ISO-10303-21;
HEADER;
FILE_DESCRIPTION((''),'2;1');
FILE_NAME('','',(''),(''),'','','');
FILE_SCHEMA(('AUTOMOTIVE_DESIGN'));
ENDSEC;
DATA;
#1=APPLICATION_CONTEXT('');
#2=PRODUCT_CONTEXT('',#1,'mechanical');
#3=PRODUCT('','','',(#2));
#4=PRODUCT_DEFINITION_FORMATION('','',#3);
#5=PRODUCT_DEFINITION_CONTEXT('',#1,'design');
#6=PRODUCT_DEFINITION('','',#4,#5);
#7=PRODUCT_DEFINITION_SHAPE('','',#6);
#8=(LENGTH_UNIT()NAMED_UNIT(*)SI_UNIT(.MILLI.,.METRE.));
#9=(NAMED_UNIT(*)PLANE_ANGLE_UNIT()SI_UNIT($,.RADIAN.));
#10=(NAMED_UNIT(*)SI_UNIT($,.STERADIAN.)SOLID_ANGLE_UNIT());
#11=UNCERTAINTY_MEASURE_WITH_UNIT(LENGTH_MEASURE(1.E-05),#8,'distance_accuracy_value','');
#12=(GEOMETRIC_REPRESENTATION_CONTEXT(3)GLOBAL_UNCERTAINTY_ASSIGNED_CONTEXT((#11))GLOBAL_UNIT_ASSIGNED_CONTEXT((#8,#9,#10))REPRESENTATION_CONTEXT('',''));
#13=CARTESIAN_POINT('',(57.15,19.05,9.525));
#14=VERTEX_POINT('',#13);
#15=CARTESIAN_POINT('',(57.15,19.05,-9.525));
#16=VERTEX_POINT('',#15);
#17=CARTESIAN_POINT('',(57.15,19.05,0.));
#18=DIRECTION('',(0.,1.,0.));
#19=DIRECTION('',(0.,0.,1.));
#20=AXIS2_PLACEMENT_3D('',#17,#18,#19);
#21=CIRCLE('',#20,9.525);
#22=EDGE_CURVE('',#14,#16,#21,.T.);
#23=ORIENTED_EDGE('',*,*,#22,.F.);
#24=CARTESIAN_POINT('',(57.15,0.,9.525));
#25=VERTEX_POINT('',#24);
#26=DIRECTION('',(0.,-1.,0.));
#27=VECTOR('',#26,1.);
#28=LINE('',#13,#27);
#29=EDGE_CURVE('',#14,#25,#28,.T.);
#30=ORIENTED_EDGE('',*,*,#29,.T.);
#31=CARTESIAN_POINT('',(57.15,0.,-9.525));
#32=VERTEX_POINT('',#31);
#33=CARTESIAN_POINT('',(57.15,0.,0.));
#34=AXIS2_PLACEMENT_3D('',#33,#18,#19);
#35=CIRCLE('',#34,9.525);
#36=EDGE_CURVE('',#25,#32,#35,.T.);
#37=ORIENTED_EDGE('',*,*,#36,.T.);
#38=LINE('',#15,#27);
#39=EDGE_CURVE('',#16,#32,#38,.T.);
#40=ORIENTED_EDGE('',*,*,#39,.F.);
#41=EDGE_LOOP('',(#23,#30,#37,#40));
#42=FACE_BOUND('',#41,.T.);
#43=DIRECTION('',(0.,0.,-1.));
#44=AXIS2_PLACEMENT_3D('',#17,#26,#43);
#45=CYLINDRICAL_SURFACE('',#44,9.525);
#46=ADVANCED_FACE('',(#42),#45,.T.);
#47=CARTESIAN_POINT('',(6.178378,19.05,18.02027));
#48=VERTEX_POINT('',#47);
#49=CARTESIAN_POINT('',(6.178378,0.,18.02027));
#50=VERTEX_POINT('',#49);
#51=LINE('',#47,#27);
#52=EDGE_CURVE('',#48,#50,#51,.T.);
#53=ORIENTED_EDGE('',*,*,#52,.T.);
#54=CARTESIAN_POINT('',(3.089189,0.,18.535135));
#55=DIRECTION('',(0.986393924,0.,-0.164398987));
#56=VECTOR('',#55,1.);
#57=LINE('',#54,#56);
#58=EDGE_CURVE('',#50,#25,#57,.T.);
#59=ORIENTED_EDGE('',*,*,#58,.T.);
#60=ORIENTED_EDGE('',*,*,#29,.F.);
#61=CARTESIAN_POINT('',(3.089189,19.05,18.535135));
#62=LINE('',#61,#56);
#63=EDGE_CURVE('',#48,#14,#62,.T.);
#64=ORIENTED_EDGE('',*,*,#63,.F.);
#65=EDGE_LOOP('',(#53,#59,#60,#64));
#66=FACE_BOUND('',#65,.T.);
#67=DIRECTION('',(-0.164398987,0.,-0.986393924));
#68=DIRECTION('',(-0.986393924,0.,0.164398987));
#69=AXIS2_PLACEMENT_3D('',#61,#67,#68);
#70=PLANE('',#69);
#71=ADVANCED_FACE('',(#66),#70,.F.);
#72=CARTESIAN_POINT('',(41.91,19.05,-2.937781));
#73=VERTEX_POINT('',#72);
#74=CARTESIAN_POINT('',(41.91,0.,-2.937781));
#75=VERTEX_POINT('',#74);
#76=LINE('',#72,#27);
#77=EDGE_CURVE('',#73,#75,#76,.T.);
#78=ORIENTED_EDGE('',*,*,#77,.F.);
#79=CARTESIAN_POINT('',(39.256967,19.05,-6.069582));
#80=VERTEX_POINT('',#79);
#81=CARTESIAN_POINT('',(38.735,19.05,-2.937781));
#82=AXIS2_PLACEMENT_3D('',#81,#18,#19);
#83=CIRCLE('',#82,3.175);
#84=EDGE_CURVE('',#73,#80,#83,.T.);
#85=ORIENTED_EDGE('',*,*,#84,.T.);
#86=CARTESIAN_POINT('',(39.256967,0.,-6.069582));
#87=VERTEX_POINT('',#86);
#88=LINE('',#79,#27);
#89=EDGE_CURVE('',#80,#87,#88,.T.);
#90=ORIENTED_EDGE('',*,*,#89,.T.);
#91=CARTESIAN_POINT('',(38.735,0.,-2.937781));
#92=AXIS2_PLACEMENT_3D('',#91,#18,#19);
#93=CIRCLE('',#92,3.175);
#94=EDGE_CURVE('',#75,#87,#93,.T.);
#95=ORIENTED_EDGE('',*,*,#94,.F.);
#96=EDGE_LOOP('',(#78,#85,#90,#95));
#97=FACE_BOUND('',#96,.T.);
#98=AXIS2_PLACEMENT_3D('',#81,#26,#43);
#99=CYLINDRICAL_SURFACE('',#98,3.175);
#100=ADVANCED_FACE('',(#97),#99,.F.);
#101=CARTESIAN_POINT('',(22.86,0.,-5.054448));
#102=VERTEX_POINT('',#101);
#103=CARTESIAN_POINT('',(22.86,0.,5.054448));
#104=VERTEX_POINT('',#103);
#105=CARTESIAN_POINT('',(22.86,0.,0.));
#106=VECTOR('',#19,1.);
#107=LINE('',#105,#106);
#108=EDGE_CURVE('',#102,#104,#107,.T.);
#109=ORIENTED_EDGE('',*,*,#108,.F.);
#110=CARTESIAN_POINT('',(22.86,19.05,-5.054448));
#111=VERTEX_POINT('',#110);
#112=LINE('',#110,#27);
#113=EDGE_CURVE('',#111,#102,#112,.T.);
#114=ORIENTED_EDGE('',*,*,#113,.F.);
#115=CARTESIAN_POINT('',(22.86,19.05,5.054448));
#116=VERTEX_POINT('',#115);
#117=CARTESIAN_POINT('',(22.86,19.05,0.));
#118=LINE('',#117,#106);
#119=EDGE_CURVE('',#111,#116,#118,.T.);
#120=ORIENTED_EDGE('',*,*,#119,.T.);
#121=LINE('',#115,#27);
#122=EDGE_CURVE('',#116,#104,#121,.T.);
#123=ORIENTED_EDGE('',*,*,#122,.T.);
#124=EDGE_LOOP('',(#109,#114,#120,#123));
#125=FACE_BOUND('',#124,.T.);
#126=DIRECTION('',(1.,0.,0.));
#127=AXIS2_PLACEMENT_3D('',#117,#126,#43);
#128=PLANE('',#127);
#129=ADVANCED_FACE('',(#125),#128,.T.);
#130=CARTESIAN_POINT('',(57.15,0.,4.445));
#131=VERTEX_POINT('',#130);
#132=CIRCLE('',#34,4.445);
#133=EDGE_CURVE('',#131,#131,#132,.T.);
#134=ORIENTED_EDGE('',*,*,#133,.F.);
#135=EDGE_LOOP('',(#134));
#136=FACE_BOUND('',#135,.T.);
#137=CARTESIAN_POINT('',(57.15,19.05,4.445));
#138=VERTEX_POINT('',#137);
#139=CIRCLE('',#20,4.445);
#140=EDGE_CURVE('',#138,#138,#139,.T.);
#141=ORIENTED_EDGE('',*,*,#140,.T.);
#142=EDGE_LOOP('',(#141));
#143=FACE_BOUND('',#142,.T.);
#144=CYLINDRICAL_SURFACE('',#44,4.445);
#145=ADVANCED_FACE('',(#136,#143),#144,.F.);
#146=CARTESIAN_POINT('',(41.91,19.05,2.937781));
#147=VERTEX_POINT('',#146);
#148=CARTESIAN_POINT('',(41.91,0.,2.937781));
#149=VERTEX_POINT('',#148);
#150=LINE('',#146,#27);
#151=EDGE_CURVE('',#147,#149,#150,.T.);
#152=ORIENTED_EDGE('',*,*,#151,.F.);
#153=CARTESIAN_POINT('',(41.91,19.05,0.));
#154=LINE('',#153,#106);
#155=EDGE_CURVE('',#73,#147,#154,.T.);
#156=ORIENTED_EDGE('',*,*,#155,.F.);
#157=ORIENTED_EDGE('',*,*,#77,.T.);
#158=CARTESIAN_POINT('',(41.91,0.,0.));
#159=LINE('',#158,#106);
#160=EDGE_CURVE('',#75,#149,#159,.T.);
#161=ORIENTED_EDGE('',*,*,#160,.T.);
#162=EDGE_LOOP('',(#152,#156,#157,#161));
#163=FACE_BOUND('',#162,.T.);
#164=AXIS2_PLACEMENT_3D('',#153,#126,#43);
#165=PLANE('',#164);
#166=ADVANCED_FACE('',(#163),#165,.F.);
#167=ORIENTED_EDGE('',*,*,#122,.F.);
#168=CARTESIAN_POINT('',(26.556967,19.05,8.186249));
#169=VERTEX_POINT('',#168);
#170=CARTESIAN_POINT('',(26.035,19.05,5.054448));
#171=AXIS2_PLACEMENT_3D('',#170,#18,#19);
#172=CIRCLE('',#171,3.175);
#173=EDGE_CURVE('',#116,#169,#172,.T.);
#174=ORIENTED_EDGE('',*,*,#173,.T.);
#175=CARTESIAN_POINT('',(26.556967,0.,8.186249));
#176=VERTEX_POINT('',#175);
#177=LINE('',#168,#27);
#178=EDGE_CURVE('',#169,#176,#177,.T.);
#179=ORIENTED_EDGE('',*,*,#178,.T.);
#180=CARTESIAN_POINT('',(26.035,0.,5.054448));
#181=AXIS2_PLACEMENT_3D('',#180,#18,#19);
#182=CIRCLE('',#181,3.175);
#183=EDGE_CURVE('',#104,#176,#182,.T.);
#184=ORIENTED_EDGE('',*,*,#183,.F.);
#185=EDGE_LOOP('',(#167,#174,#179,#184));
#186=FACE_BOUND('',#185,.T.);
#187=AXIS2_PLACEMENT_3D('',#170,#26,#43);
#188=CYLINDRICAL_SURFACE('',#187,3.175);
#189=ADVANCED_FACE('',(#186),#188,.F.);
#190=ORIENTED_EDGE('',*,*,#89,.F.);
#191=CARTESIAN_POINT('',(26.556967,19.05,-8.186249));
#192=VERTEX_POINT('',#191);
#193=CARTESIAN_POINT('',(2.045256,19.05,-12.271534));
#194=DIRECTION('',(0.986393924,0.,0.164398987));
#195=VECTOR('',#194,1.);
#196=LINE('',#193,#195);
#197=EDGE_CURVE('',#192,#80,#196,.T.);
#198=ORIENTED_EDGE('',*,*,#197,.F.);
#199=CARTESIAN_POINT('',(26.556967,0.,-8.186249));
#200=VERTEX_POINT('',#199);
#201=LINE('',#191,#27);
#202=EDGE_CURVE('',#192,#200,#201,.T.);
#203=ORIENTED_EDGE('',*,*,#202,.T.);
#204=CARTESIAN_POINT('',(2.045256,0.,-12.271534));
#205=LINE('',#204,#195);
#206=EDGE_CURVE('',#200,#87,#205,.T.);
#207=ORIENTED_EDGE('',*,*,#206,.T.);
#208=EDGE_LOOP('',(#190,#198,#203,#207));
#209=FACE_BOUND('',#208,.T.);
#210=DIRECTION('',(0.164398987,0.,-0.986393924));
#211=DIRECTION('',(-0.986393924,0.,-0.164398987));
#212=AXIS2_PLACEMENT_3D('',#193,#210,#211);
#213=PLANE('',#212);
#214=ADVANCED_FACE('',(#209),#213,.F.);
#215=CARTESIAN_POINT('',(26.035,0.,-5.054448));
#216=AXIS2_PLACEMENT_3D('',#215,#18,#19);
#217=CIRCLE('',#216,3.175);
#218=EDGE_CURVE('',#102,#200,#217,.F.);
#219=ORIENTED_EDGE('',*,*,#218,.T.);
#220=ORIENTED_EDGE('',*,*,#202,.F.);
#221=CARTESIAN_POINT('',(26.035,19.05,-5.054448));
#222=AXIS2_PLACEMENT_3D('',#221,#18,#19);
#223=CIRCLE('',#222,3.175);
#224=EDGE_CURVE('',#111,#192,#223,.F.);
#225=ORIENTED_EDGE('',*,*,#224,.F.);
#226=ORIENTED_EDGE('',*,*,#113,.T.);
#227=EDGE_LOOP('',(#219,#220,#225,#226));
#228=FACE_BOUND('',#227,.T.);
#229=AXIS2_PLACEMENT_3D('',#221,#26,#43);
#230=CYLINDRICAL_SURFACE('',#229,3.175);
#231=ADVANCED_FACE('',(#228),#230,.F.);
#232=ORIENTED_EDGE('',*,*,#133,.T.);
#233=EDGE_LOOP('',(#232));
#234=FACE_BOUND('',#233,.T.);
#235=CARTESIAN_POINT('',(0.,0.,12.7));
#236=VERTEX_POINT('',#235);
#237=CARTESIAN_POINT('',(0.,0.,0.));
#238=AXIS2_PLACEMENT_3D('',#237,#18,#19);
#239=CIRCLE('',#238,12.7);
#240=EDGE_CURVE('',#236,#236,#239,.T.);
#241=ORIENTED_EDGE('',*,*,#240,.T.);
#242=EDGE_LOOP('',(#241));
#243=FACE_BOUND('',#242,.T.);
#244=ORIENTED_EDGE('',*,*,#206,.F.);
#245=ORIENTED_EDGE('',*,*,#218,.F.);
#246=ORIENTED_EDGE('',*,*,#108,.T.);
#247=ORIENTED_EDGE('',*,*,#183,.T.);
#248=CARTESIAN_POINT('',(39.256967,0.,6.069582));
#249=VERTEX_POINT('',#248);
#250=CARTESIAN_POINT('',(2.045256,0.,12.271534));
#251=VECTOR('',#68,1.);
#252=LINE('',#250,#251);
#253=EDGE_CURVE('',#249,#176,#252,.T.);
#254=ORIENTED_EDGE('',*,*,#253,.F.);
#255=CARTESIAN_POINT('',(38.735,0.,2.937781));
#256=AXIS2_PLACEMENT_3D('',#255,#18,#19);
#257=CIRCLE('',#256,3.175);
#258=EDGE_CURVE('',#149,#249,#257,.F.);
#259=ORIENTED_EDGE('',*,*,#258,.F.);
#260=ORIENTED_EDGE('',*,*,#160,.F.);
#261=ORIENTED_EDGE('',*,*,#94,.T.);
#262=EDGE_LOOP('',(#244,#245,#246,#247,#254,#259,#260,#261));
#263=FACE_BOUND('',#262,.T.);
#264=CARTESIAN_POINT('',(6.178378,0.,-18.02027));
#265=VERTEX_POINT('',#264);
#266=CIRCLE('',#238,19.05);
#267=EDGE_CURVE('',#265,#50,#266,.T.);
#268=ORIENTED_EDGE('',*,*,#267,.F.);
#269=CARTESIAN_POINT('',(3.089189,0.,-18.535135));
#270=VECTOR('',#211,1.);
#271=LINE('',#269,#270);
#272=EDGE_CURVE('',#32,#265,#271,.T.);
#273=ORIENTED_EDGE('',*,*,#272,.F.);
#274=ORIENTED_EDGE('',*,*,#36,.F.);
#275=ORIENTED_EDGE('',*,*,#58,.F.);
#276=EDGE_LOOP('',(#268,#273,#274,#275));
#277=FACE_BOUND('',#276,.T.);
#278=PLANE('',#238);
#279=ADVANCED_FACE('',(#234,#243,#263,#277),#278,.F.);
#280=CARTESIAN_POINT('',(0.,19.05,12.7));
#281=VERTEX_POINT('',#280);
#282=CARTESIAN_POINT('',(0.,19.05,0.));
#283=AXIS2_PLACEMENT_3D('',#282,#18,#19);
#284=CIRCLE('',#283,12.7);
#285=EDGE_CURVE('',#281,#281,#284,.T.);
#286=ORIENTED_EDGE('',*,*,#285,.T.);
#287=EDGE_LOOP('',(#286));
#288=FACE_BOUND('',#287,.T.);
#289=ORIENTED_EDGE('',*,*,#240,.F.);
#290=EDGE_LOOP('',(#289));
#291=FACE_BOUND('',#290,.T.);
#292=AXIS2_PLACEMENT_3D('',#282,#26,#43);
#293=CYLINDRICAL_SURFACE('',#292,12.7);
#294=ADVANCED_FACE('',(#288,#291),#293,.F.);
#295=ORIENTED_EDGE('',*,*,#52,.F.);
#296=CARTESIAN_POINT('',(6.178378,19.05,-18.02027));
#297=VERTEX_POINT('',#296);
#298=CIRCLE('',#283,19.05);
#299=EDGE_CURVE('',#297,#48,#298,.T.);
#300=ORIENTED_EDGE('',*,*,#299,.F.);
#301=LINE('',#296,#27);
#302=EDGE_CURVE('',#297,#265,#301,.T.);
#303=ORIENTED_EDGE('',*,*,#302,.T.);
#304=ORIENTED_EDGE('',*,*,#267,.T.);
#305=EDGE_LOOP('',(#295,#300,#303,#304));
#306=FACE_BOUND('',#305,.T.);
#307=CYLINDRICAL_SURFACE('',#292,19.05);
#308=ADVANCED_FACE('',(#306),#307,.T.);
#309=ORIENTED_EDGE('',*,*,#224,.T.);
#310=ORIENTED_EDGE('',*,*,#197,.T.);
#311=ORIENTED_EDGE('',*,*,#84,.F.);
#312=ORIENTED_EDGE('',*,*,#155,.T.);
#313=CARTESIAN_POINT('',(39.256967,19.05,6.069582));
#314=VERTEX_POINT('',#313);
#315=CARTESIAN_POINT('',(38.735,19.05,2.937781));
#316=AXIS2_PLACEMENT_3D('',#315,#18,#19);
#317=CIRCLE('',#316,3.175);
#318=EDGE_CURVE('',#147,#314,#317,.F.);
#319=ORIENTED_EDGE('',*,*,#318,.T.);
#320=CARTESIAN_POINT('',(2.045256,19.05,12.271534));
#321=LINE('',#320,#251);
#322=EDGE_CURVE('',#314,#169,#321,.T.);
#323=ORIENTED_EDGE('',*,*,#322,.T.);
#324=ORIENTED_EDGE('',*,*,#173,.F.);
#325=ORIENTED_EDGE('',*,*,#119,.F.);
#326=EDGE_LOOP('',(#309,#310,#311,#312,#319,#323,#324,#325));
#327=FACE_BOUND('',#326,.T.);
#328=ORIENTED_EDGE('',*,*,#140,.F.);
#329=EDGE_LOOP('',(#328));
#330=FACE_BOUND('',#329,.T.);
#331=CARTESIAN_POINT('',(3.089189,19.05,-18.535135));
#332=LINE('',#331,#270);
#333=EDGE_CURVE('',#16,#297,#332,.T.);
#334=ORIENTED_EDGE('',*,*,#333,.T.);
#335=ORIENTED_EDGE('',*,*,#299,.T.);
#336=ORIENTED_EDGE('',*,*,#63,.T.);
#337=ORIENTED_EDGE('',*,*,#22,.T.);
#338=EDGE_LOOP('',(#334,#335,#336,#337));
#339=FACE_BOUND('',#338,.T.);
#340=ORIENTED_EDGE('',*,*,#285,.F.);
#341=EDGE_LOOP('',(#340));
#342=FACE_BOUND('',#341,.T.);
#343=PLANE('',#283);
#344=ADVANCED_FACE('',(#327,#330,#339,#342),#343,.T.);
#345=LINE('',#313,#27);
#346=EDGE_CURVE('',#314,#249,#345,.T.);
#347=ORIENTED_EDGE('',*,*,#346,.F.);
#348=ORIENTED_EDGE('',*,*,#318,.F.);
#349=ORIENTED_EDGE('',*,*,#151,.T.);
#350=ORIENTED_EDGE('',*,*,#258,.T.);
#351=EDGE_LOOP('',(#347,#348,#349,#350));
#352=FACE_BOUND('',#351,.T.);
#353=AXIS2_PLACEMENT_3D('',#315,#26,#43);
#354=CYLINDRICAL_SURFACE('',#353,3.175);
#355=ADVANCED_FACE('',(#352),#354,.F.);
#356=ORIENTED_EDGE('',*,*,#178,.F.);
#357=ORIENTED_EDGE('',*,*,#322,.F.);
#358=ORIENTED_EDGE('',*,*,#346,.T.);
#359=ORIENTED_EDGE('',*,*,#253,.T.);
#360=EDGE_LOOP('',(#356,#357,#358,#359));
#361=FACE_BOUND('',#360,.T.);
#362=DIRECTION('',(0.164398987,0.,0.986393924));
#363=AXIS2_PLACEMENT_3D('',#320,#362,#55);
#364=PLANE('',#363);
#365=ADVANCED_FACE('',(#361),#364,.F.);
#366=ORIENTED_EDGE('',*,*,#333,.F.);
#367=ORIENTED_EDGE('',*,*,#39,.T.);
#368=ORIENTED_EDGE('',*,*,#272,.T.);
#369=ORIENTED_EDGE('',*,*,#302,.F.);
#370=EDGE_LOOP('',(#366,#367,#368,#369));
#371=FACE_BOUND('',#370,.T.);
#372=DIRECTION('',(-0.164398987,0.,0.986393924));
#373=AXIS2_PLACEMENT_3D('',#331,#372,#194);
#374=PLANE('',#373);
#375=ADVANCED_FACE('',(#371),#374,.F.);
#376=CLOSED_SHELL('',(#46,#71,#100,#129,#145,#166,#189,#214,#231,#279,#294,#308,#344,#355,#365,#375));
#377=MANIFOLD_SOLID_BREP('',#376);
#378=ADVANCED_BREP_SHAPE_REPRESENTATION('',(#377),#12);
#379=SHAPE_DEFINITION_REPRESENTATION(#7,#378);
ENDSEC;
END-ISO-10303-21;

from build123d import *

# Parameters (mm, degrees)
SKETCH1_R           = 12.7
SKETCH1_R_2         = 4.445
BOSS_EXTRUDE2_DEPTH = 19.05


with BuildPart() as part:
    # Sketch1 → Boss-Extrude2 (new body)
    with BuildSketch(Plane(origin=(0, 0, 0), x_dir=(1, 0, 0), z_dir=(0, 1, 0))):
        with BuildLine():
            Line((6.178378378, -18.02027027), (57.15, -9.525))
            ThreePointArc((57.15, -9.525), (66.675, 0), (57.15, 9.525))
            Line((57.15, 9.525), (6.178378378, 18.02027027))
            ThreePointArc((6.178378378, 18.02027027), (-19.05, 0), (6.178378378, -18.02027027))
        make_face()
        with Locations(Location((0, 0, 0), (0, 0, 270))):
            Circle(SKETCH1_R, mode=Mode.SUBTRACT)
        with BuildLine():
            ThreePointArc((22.86, 5.054447816), (23.982759705, 7.477036261), (26.556966785, 8.186248525))
            Line((26.556966785, 8.186248525), (39.256966785, 6.069581858))
            ThreePointArc((39.256966785, 6.069581858), (41.157588444, 4.990021445), (41.91, 2.93778115))
            Line((41.91, 2.93778115), (41.91, -2.93778115))
            ThreePointArc((41.91, -2.93778115), (41.157588444, -4.990021445), (39.256966785, -6.069581858))
            Line((39.256966785, -6.069581858), (26.556966785, -8.186248525))
            ThreePointArc((26.556966785, -8.186248525), (23.982759705, -7.477036261), (22.86, -5.054447816))
            Line((22.86, -5.054447816), (22.86, 5.054447816))
        make_face(mode=Mode.SUBTRACT)
        with Locations(Location((57.15, 0, 0), (0, 0, 270))):
            Circle(SKETCH1_R_2, mode=Mode.SUBTRACT)
    extrude(amount=BOSS_EXTRUDE2_DEPTH)


solid = part.part
